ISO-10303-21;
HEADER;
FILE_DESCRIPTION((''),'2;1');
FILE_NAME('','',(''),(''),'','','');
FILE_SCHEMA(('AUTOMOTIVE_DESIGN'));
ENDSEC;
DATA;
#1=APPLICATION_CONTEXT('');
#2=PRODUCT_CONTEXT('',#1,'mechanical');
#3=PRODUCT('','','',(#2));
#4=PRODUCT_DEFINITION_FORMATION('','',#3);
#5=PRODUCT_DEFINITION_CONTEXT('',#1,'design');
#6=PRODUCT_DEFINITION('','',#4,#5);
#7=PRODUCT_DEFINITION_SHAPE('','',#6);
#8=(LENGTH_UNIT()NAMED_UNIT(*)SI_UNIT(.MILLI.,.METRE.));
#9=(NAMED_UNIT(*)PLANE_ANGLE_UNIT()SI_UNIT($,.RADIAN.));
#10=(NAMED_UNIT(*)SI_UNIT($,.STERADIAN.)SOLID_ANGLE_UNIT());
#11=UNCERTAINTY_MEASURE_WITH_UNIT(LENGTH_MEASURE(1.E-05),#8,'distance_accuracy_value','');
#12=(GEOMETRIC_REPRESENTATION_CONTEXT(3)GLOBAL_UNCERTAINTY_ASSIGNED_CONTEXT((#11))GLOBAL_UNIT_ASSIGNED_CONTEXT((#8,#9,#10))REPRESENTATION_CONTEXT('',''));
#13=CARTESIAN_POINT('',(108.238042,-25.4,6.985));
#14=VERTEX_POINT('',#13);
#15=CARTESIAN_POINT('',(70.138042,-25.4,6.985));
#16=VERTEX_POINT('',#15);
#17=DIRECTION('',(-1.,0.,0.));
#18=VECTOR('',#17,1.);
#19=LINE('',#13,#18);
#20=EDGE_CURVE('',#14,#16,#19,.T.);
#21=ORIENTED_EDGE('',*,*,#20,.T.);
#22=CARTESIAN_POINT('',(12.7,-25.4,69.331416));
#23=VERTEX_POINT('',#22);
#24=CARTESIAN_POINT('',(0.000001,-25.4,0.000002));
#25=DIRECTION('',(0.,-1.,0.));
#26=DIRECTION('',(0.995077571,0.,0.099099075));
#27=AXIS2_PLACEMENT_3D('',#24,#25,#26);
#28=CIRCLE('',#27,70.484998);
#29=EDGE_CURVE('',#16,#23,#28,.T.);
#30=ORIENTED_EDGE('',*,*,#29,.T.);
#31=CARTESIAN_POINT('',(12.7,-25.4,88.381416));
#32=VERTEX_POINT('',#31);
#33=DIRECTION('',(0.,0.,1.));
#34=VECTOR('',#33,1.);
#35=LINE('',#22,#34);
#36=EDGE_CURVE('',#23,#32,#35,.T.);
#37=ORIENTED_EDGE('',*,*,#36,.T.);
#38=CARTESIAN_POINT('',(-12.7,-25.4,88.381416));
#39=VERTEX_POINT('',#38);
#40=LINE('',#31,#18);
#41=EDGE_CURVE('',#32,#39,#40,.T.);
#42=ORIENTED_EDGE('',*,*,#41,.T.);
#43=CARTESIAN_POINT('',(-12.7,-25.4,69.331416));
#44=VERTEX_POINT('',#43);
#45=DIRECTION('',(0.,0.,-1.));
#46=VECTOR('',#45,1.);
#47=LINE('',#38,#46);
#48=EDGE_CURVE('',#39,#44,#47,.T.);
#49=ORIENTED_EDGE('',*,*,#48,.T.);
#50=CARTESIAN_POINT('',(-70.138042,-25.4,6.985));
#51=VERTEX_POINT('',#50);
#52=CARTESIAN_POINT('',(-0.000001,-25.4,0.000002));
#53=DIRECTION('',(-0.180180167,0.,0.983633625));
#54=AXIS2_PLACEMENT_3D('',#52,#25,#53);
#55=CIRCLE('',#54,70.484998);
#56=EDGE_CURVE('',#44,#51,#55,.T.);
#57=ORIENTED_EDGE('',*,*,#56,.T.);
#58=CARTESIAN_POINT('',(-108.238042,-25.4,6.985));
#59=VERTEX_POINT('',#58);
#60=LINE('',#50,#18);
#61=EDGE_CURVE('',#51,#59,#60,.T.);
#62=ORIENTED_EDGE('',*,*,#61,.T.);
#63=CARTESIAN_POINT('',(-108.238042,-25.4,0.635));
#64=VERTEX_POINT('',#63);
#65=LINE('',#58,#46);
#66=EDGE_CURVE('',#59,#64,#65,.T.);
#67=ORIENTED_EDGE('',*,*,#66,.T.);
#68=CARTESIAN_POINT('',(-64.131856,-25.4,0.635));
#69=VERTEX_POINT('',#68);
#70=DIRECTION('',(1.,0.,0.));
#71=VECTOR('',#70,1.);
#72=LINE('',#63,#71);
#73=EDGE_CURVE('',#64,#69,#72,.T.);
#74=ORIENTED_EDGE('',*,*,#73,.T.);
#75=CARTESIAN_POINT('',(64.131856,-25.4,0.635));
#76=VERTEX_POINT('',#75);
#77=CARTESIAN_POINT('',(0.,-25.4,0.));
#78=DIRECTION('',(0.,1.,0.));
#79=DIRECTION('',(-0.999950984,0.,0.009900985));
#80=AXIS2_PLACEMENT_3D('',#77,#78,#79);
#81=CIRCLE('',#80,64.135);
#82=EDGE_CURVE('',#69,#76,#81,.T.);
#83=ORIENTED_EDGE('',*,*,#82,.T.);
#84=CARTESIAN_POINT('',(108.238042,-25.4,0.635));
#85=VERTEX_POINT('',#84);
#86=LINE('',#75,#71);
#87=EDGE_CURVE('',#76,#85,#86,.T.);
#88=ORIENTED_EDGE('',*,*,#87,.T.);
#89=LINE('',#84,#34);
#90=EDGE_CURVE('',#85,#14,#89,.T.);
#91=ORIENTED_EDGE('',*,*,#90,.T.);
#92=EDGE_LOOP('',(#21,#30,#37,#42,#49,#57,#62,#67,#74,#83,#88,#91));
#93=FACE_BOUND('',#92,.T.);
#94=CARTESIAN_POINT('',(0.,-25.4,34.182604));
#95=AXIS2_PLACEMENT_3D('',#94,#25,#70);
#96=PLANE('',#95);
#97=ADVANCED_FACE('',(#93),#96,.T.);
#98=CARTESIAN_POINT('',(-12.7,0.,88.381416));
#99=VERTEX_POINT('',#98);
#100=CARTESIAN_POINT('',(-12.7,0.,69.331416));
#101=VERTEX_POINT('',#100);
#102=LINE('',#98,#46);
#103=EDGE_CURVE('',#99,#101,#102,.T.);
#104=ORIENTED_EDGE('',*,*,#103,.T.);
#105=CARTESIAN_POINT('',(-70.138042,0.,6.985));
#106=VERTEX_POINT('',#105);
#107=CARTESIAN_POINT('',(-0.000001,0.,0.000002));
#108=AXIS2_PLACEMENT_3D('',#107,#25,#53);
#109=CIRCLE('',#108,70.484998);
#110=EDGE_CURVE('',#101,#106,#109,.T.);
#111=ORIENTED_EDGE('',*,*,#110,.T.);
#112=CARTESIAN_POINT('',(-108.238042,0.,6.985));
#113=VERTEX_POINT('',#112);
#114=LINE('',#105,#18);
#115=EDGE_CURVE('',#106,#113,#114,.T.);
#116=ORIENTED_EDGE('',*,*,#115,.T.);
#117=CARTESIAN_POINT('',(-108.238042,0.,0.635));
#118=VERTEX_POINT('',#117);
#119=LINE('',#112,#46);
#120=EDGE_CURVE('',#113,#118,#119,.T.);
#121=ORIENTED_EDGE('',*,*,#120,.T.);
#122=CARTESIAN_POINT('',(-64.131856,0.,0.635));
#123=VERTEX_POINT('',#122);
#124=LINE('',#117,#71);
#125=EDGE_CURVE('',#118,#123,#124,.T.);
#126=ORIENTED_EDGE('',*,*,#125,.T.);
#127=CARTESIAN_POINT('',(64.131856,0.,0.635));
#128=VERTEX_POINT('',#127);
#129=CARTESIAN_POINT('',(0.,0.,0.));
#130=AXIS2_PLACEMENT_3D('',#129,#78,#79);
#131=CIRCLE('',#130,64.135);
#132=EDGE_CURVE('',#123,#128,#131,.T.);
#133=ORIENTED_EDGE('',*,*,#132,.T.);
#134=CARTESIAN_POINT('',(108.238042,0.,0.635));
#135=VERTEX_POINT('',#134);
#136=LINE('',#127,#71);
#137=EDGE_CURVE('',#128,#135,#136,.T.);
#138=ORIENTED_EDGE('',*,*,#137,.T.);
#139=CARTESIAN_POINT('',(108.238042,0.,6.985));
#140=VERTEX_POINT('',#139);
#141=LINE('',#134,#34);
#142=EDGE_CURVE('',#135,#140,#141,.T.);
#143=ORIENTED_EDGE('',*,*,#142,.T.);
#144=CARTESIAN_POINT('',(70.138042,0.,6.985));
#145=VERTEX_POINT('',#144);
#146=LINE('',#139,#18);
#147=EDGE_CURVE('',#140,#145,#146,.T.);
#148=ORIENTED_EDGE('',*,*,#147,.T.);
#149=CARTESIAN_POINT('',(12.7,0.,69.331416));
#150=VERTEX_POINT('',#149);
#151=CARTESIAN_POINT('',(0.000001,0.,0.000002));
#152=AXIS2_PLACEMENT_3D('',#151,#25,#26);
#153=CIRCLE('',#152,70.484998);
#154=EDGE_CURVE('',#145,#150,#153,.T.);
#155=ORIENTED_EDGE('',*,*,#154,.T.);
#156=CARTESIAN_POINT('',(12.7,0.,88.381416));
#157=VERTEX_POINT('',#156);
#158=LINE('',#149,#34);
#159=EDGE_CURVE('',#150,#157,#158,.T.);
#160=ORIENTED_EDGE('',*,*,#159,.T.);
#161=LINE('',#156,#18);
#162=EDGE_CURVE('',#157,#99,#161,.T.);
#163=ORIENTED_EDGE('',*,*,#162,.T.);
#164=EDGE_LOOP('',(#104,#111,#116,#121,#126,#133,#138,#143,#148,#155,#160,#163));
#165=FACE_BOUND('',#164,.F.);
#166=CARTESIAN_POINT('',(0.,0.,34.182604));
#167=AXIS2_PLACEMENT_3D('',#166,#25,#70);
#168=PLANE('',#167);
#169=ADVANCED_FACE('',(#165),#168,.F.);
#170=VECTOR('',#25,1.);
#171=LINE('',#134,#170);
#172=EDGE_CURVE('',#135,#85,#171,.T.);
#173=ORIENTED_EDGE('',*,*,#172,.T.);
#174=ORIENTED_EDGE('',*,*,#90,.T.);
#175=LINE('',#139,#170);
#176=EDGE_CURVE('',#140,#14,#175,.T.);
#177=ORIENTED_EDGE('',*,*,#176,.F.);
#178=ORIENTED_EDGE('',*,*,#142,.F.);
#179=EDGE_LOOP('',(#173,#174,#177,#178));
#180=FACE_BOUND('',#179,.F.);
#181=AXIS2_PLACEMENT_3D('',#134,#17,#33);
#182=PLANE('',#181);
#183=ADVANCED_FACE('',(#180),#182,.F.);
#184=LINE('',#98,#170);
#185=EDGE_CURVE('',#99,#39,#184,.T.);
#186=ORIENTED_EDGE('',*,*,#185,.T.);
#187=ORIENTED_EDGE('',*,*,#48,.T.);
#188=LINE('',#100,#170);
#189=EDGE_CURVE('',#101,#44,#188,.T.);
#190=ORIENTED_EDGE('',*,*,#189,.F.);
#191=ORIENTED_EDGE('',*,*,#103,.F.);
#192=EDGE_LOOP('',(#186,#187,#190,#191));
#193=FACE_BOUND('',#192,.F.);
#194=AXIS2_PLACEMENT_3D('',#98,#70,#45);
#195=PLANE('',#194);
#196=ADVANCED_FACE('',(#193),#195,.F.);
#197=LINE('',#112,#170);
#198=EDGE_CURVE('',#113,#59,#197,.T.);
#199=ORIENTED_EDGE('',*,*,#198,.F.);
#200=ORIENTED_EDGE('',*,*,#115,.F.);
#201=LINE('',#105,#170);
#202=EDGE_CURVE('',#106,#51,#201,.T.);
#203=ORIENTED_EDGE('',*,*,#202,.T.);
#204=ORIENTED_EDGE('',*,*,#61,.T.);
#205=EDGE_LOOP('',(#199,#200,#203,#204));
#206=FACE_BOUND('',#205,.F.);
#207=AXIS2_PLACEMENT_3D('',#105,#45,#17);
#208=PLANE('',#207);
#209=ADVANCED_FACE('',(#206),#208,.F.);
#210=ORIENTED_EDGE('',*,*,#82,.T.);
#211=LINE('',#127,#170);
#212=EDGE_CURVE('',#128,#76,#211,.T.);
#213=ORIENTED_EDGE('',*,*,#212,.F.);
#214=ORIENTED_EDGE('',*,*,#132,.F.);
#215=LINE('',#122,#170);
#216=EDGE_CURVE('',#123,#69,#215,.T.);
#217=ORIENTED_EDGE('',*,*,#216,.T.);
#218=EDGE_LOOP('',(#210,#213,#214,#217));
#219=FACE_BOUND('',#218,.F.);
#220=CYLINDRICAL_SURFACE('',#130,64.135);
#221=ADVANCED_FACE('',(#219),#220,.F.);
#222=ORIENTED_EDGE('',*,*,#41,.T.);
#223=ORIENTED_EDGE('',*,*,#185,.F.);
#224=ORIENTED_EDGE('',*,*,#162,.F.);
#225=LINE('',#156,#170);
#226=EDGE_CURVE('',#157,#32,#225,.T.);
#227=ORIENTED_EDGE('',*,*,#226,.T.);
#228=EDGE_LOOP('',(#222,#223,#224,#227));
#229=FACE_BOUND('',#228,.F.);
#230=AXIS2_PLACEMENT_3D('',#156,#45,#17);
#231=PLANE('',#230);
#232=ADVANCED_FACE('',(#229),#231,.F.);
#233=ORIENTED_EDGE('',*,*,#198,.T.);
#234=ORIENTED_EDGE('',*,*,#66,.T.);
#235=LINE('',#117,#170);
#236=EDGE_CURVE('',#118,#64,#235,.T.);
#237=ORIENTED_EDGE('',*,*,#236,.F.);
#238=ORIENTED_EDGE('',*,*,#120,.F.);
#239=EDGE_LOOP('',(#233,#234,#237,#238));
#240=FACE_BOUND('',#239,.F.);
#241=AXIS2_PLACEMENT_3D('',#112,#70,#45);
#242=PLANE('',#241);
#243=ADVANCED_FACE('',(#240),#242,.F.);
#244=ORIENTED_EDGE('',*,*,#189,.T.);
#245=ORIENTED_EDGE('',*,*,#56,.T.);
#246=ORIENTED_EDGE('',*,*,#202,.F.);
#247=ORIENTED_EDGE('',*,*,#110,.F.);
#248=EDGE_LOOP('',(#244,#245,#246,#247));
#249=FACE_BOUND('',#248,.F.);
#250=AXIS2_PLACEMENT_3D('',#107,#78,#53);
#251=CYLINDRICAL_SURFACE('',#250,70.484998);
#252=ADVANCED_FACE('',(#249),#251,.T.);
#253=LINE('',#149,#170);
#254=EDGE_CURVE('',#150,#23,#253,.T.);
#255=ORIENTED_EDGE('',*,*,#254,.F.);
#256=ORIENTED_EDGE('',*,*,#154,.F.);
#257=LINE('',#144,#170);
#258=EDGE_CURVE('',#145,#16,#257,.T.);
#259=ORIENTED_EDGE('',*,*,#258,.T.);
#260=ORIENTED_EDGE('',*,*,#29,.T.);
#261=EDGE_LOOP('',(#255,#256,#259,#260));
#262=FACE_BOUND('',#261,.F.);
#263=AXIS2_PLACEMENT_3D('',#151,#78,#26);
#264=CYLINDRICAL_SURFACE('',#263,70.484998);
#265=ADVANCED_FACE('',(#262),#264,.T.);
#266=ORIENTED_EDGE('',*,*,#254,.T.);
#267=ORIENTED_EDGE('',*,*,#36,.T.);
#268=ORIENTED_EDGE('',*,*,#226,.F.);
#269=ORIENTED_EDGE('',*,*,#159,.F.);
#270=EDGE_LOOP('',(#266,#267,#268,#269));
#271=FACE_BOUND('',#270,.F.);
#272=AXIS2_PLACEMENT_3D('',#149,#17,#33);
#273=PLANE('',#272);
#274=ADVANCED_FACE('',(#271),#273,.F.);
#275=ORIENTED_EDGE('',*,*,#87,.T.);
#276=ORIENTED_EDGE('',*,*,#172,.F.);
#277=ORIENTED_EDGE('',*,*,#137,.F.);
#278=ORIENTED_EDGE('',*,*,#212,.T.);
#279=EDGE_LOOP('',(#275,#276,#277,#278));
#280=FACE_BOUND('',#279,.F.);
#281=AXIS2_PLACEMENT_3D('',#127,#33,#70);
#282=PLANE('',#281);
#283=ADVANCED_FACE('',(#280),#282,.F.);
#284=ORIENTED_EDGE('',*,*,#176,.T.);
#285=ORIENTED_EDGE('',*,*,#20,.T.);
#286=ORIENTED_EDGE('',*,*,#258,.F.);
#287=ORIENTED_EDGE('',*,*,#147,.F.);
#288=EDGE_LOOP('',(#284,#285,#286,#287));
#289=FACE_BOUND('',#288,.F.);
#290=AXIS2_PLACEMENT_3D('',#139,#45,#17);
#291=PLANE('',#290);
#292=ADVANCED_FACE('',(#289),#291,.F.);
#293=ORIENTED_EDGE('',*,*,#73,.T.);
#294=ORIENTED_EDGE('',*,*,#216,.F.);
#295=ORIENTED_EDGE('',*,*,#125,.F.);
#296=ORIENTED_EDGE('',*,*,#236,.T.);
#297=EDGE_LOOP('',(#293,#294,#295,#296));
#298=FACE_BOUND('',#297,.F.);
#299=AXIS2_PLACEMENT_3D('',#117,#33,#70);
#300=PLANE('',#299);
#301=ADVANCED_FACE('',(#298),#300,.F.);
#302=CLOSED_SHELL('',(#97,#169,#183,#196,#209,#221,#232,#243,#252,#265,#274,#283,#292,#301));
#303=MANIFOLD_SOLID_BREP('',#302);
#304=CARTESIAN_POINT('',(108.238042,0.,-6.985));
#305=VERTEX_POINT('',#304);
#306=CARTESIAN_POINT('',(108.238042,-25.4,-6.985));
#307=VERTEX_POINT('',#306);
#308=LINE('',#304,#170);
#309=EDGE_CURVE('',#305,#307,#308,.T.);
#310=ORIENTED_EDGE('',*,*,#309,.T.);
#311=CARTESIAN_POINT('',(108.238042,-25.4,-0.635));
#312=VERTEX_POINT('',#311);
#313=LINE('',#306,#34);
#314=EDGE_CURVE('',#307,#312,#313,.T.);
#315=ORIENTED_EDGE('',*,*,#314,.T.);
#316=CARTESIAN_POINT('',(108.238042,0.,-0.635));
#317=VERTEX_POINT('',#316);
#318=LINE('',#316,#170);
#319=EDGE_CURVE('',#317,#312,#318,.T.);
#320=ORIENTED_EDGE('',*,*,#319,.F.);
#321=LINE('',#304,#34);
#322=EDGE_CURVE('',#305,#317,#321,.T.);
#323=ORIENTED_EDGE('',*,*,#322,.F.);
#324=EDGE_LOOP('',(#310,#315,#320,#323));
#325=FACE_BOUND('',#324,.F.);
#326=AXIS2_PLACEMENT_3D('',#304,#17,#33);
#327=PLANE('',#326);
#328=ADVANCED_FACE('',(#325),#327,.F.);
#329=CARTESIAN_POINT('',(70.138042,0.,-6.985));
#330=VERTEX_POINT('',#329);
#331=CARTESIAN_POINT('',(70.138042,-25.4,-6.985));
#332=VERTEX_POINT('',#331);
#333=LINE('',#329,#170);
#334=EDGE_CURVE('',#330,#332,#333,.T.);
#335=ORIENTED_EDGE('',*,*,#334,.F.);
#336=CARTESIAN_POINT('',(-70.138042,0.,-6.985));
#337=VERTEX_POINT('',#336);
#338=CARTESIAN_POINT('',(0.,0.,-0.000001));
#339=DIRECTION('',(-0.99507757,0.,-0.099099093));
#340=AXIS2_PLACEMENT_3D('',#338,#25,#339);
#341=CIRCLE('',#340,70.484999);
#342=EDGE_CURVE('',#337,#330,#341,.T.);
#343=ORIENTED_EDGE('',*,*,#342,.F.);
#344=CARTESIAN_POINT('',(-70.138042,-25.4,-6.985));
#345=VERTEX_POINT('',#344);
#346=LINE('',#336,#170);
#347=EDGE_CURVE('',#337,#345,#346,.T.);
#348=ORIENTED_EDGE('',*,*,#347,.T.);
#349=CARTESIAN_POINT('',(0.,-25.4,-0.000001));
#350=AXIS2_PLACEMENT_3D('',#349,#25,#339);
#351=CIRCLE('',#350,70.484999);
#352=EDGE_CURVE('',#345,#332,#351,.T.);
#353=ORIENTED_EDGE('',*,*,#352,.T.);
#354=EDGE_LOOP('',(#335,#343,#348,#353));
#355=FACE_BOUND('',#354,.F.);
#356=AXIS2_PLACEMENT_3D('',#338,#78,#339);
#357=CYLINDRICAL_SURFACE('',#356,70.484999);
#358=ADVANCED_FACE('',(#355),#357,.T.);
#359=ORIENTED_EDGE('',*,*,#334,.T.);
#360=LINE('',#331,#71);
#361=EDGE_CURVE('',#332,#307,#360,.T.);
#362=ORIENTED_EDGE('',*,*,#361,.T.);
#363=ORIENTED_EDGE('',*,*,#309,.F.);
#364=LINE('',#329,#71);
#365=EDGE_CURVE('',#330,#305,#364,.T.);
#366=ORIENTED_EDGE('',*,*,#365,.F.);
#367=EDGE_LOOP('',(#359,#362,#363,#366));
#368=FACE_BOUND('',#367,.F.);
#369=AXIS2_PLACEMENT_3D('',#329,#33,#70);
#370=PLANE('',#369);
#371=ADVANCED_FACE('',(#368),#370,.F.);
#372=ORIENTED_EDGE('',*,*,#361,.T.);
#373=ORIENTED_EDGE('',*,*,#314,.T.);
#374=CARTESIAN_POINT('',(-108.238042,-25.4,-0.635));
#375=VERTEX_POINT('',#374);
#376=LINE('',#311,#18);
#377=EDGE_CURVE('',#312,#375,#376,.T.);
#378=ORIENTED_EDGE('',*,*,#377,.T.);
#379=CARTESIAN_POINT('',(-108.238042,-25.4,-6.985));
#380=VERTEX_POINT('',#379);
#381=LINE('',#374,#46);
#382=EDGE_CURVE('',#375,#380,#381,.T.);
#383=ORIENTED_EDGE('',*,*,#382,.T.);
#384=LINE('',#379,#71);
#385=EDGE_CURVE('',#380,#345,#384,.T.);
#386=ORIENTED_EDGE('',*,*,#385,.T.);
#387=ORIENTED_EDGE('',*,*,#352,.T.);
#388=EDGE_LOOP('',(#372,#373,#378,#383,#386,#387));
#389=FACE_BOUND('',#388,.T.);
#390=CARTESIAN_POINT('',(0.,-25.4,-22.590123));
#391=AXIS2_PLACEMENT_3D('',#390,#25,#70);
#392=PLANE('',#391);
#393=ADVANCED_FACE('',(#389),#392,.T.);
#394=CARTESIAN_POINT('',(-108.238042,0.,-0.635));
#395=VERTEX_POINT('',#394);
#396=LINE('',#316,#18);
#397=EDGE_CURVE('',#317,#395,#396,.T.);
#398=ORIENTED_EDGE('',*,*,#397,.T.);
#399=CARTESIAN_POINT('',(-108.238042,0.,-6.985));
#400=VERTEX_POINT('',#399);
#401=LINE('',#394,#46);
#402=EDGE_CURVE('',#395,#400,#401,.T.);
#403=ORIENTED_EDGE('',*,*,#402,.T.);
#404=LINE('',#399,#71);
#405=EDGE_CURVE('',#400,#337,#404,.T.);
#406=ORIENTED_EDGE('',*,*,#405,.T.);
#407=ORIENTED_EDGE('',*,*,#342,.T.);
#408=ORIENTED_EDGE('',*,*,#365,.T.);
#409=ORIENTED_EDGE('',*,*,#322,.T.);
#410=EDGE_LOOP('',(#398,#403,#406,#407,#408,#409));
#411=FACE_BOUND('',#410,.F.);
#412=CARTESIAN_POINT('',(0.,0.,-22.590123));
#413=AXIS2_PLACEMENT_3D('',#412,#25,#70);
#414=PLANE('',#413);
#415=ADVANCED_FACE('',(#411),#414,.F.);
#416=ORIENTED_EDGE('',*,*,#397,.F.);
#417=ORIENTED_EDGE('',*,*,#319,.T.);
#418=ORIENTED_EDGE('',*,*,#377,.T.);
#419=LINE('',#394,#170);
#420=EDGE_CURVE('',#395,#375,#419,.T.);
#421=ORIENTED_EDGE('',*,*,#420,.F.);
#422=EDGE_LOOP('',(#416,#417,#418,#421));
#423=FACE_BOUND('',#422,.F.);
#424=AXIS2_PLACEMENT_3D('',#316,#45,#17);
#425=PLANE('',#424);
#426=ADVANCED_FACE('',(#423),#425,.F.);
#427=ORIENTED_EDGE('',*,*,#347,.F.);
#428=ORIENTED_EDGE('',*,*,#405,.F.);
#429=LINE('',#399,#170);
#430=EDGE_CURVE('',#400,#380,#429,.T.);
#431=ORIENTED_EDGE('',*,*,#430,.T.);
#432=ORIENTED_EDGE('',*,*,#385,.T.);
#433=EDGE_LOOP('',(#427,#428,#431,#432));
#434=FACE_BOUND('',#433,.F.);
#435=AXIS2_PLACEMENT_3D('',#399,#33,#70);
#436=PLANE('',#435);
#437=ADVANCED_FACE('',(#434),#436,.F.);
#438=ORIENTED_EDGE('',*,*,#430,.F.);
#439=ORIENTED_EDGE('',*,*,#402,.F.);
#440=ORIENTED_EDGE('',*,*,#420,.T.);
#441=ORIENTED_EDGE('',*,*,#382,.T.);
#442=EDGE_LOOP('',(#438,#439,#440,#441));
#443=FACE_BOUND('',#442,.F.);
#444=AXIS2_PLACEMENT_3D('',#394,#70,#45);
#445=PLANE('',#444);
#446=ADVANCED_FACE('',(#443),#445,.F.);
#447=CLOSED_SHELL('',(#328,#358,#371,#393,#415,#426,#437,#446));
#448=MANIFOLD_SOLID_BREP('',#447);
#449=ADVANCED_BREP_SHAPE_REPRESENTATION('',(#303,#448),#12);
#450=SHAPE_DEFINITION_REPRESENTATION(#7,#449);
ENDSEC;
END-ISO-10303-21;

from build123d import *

# Parameters (mm, degrees)
F1_DEPTH = 25.4


with BuildPart() as f1:
    # F0 (on Front) → F1 (new body)
    with BuildSketch(Plane.XZ):
        with BuildLine():
            Line((0, -0.635), (-64.131856, -0.635))
            ThreePointArc((-64.131856, -0.635), (0, -64.135), (64.131856, -0.635))
            Line((64.131856, -0.635), (0, -0.635))
        make_face()
        with BuildLine():
            ThreePointArc((64.131856, -0.635), (0, -64.135), (-64.131856, -0.635))
            Line((-64.131856, -0.635), (-108.238042, -0.635))
            Line((-108.238042, -0.635), (-108.238042, -6.985))
            Line((-108.238042, -6.985), (-70.138042, -6.985))
            ThreePointArc((-70.138042, -6.985), (0, -70.485), (70.138042, -6.985))
            Line((70.138042, -6.985), (108.238042, -6.985))
            Line((108.238042, -6.985), (108.238042, -0.635))
            Line((108.238042, -0.635), (70.48214, -0.635))
            Line((70.48214, -0.635), (64.131856, -0.635))
        make_face()
        with BuildLine():
            Line((-12.7, 88.381416), (-12.7, 69.331416))
            ThreePointArc((-12.7, 69.331416), (-51.839215, 47.758047), (-70.138042, 6.985))
            Line((-70.138042, 6.985), (-108.238042, 6.985))
            Line((-108.238042, 6.985), (-108.238042, 0.635))
            Line((-108.238042, 0.635), (-64.131856, 0.635))
            ThreePointArc((-64.131856, 0.635), (0, 64.135), (64.131856, 0.635))
            Line((64.131856, 0.635), (70.48214, 0.635))
            Line((70.48214, 0.635), (108.238042, 0.635))
            Line((108.238042, 0.635), (108.238042, 6.985))
            Line((108.238042, 6.985), (70.138042, 6.985))
            ThreePointArc((70.138042, 6.985), (51.839215, 47.758047), (12.7, 69.331416))
            Line((12.7, 69.331416), (12.7, 88.381416))
            Line((12.7, 88.381416), (-12.7, 88.381416))
        make_face()
    extrude(amount=F1_DEPTH)


solid = f1.part
